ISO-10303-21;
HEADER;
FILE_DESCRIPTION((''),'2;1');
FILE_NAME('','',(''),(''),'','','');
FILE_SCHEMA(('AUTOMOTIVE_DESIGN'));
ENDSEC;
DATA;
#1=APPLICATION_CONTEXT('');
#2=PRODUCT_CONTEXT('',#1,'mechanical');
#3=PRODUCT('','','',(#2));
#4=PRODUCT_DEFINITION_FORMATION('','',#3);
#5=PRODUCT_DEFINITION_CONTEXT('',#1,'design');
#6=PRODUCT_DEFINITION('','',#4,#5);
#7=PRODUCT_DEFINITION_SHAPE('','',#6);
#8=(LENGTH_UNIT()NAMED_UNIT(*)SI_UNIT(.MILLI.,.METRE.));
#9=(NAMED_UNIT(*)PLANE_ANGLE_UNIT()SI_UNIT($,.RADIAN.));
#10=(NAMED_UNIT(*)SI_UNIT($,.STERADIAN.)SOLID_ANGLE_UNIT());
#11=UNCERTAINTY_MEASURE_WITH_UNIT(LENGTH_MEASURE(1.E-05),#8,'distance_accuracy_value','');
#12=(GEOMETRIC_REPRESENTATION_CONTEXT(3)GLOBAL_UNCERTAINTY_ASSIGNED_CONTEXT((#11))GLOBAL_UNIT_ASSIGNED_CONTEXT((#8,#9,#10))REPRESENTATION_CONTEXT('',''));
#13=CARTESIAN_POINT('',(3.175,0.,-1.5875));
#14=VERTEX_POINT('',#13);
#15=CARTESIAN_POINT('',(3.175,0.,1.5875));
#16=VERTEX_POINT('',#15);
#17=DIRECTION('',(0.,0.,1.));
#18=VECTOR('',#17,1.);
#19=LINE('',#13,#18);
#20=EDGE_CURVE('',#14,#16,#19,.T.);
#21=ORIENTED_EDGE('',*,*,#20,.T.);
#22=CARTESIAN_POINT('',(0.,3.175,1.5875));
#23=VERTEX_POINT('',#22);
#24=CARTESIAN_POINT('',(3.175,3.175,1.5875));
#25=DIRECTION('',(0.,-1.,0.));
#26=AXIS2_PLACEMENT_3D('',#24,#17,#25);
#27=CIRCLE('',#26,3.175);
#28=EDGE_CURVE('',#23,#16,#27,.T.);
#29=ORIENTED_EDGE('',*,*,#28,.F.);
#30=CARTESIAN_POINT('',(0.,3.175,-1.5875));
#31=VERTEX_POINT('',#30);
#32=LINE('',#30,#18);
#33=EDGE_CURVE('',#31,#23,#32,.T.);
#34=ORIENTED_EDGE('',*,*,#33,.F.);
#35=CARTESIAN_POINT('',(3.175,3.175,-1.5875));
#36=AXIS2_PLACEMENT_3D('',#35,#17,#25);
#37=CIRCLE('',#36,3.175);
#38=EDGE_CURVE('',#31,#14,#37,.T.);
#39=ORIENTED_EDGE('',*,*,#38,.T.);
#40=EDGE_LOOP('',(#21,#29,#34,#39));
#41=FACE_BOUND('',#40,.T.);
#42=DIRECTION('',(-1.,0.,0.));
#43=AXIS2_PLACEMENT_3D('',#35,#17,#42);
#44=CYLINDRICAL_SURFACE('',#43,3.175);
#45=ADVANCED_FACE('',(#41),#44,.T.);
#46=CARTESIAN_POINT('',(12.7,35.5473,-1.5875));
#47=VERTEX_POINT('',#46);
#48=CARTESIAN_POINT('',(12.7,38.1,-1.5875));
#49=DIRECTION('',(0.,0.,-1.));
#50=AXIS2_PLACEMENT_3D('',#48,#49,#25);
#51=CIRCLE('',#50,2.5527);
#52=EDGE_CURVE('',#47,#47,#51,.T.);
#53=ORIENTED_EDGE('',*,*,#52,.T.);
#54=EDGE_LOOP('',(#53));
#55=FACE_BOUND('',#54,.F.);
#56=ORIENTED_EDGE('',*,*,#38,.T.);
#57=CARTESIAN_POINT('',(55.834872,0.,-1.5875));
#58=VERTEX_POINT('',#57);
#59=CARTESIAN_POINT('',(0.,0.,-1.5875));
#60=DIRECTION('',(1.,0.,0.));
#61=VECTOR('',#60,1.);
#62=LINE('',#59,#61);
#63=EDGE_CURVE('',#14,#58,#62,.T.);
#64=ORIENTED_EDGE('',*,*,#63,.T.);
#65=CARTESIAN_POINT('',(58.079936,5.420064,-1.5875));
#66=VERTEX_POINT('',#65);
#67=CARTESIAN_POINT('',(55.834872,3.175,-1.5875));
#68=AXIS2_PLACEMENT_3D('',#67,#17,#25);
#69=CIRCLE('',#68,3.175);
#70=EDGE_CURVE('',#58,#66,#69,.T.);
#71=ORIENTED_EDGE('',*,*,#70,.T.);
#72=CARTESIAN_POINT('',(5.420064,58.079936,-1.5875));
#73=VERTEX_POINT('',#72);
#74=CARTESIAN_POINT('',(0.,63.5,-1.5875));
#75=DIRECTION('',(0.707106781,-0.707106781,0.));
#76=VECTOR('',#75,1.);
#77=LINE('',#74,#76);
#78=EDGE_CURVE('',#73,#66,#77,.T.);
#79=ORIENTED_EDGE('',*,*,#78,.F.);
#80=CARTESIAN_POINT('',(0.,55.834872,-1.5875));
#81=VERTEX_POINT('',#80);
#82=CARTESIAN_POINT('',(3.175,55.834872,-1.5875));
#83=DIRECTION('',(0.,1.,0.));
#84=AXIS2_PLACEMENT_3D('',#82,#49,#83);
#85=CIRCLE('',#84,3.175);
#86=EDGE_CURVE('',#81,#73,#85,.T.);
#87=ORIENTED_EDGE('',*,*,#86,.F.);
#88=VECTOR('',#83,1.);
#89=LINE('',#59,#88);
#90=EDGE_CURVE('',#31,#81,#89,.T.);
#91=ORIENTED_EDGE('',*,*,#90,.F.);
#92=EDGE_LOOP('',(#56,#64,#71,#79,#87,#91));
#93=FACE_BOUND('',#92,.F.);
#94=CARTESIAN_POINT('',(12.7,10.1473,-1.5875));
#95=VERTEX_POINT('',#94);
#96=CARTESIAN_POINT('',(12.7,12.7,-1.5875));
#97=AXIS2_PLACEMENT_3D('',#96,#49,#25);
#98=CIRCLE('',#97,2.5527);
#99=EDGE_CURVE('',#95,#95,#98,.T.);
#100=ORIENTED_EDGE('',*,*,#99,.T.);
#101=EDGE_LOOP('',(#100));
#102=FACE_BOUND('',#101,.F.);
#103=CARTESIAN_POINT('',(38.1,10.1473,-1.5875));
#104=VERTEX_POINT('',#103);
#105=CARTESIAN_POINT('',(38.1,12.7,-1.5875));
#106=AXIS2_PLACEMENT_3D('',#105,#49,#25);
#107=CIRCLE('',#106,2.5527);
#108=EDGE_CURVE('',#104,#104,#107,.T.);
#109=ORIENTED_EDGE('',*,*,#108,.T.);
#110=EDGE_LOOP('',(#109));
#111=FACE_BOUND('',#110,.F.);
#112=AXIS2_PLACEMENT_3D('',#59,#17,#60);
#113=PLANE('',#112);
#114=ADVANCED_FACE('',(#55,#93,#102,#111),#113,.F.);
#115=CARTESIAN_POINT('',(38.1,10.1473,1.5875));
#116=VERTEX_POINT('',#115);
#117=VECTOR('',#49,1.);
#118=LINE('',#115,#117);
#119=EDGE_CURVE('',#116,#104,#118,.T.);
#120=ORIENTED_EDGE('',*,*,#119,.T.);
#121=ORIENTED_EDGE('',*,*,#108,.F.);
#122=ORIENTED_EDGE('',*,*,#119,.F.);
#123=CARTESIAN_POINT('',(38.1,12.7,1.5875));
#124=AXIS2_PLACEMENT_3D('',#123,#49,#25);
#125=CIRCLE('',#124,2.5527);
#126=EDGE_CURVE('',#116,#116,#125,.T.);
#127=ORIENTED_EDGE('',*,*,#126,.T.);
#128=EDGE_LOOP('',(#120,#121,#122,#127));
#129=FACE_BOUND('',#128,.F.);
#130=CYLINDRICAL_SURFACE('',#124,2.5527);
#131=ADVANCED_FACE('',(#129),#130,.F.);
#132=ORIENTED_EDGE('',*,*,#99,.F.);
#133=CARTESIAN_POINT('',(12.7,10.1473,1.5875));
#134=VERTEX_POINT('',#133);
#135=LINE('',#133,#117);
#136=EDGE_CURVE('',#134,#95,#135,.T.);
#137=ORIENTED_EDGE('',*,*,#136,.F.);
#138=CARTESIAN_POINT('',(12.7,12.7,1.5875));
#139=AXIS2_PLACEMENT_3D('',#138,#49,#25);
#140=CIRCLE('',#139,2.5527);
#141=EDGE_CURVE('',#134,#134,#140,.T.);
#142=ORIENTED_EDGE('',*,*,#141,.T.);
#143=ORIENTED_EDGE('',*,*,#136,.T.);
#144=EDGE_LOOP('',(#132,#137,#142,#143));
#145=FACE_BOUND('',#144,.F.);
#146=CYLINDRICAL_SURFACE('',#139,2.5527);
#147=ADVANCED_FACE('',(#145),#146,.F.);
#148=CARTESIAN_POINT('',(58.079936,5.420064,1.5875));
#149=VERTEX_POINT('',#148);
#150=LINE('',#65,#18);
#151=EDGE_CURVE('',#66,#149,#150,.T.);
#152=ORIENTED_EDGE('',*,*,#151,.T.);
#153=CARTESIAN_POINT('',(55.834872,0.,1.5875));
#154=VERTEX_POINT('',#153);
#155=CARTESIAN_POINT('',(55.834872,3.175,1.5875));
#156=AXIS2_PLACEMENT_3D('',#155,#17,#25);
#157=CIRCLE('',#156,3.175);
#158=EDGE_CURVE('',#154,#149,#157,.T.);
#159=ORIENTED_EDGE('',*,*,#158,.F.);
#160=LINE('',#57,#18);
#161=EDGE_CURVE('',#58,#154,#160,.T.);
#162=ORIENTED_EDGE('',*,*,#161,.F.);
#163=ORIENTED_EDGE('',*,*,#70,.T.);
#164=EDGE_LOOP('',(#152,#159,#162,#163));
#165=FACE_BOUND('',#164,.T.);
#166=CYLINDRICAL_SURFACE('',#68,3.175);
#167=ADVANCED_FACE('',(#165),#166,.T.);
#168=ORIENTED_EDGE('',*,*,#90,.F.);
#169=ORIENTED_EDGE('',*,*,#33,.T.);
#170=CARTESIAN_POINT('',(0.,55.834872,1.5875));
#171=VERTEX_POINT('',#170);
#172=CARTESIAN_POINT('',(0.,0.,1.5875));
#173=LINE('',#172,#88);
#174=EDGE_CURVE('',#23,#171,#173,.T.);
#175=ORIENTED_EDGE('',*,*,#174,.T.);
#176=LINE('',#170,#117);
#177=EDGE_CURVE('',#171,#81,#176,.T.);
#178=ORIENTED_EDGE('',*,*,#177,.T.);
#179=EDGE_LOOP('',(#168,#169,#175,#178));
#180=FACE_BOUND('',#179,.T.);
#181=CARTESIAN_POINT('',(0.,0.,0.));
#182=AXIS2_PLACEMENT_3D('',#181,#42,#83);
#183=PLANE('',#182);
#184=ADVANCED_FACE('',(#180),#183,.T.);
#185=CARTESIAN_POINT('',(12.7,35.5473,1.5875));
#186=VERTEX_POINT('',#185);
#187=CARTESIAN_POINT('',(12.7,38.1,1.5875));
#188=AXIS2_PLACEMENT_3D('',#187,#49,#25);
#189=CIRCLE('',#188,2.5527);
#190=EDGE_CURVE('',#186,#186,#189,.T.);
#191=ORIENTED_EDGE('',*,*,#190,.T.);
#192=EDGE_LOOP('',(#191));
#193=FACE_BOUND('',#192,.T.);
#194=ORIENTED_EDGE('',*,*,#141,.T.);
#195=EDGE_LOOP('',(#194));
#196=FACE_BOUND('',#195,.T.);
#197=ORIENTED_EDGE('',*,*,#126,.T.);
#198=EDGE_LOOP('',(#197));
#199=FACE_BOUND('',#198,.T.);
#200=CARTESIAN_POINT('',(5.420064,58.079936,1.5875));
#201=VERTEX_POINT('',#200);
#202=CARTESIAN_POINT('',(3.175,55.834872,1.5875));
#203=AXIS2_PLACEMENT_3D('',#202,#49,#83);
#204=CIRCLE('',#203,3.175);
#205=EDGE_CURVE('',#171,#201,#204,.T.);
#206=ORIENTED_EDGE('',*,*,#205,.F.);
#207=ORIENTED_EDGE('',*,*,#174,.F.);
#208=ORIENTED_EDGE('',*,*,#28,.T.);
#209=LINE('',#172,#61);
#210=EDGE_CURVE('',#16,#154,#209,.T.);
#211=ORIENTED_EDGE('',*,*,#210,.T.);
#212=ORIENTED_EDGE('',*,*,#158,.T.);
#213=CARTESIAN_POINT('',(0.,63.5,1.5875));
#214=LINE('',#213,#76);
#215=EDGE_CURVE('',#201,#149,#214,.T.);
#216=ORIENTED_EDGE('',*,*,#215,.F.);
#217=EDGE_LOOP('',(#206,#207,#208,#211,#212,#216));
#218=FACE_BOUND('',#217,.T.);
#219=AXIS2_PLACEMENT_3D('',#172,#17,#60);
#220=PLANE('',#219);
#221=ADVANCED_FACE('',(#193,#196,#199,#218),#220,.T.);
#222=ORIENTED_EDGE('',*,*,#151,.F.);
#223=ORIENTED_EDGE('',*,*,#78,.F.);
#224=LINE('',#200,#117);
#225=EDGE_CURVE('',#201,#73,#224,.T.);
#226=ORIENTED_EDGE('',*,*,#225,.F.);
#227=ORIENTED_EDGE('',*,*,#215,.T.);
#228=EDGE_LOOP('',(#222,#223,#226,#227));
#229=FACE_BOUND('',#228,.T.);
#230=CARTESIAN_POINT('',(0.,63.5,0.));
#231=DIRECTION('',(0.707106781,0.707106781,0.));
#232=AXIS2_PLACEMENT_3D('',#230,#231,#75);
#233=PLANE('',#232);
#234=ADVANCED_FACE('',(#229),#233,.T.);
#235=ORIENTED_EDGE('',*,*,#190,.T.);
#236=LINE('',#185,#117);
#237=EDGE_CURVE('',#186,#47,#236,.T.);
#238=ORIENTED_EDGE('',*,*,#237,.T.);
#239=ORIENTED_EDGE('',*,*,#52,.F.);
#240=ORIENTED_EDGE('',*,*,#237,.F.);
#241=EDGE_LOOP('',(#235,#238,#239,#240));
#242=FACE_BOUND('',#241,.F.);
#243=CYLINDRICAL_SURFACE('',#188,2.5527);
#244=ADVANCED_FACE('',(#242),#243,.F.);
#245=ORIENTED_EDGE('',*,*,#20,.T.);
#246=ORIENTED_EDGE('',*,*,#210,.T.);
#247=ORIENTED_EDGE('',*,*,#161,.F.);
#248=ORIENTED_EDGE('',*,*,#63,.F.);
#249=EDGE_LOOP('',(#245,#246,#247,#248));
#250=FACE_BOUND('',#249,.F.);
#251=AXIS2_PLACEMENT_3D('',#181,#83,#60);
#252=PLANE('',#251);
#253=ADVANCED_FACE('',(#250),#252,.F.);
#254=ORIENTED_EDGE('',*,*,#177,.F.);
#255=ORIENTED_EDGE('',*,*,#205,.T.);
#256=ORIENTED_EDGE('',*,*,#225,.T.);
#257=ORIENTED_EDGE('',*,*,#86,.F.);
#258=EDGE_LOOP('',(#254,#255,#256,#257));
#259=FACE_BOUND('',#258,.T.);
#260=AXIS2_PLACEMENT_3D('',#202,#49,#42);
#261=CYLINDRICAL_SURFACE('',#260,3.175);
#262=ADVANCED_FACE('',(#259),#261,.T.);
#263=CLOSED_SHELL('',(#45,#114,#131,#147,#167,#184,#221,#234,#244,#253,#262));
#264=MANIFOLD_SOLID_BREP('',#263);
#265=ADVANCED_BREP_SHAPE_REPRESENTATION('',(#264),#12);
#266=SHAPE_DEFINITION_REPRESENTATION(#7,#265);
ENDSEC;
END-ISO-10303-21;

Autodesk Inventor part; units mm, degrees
ref_plane "YZ Plane" through (0, 0, 0) normal (1, 0, 0) x (0, 1, 0)
ref_plane "XZ Plane" through (0, 0, 0) normal (0, 1, 0) x (-1, 0, 0)
ref_plane "XY Plane" through (0, 0, 0) normal (0, 0, 1) x (1, 0, 0)
sketch "Sketch1" plane through (0, 0, 0) normal (0, 0, 1) x (1, 0, 0)
  line L0 (0, 0) -> (63.5, 0)
  line L1 (0, 0) -> (0, 63.5)
  line L2 (0, 63.5) -> (63.5, 0)
  dimension "d0" = 63.5
  dimension "d1" = 63.5
extrude "Extrusion1" add sketch "Sketch1" along normal mid plane 3.175
fillet "Fillet1" radius 3.175 3 edges at (0, 63.5, 0) (63.5, 0, 0) (0, 0, 0)
sketch "Sketch2" plane through (0, 0, 1.5875) normal (0, 0, 1) x (1, 0, 0)
  arc A0 (0, 3.175) -> (3.175, 0) centre (3.175, 3.175) ccw construction
  line L0 (0, 3.175) -> (0, 55.8349) construction
  arc A1 (5.4201, 58.0799) -> (0, 55.8349) centre (3.175, 55.8349) ccw construction
  line L1 (5.4201, 58.0799) -> (58.0799, 5.4201) construction
  arc A2 (55.8349, 0) -> (58.0799, 5.4201) centre (55.8349, 3.175) ccw construction
  line L2 (55.8349, 0) -> (3.175, 0) construction
  point P0 (0, 0)
  point P1 (12.7, 12.7)
  dimension "d5" = 12.7
  dimension "d6" = 12.7
hole "Hole1" at (12.7, 12.7, 1.5875) direction (0, 0, -1) diameter 5.1054 end through all clearance for "Flat Head Machine Screw (82)" size "#10" standard "Ansi Unified Screw Threads"
pattern_linear "Rectangular Pattern1" count 2 spacing 25.4 along (1, 0, 0) of "Hole1"
pattern_linear "Rectangular Pattern2" count 2 spacing 25.4 along (0, 1, 0) of "Hole1"
equation "\"d1\" = d0"
properties part number "EL2-C-002" material "Aluminum 6061"
